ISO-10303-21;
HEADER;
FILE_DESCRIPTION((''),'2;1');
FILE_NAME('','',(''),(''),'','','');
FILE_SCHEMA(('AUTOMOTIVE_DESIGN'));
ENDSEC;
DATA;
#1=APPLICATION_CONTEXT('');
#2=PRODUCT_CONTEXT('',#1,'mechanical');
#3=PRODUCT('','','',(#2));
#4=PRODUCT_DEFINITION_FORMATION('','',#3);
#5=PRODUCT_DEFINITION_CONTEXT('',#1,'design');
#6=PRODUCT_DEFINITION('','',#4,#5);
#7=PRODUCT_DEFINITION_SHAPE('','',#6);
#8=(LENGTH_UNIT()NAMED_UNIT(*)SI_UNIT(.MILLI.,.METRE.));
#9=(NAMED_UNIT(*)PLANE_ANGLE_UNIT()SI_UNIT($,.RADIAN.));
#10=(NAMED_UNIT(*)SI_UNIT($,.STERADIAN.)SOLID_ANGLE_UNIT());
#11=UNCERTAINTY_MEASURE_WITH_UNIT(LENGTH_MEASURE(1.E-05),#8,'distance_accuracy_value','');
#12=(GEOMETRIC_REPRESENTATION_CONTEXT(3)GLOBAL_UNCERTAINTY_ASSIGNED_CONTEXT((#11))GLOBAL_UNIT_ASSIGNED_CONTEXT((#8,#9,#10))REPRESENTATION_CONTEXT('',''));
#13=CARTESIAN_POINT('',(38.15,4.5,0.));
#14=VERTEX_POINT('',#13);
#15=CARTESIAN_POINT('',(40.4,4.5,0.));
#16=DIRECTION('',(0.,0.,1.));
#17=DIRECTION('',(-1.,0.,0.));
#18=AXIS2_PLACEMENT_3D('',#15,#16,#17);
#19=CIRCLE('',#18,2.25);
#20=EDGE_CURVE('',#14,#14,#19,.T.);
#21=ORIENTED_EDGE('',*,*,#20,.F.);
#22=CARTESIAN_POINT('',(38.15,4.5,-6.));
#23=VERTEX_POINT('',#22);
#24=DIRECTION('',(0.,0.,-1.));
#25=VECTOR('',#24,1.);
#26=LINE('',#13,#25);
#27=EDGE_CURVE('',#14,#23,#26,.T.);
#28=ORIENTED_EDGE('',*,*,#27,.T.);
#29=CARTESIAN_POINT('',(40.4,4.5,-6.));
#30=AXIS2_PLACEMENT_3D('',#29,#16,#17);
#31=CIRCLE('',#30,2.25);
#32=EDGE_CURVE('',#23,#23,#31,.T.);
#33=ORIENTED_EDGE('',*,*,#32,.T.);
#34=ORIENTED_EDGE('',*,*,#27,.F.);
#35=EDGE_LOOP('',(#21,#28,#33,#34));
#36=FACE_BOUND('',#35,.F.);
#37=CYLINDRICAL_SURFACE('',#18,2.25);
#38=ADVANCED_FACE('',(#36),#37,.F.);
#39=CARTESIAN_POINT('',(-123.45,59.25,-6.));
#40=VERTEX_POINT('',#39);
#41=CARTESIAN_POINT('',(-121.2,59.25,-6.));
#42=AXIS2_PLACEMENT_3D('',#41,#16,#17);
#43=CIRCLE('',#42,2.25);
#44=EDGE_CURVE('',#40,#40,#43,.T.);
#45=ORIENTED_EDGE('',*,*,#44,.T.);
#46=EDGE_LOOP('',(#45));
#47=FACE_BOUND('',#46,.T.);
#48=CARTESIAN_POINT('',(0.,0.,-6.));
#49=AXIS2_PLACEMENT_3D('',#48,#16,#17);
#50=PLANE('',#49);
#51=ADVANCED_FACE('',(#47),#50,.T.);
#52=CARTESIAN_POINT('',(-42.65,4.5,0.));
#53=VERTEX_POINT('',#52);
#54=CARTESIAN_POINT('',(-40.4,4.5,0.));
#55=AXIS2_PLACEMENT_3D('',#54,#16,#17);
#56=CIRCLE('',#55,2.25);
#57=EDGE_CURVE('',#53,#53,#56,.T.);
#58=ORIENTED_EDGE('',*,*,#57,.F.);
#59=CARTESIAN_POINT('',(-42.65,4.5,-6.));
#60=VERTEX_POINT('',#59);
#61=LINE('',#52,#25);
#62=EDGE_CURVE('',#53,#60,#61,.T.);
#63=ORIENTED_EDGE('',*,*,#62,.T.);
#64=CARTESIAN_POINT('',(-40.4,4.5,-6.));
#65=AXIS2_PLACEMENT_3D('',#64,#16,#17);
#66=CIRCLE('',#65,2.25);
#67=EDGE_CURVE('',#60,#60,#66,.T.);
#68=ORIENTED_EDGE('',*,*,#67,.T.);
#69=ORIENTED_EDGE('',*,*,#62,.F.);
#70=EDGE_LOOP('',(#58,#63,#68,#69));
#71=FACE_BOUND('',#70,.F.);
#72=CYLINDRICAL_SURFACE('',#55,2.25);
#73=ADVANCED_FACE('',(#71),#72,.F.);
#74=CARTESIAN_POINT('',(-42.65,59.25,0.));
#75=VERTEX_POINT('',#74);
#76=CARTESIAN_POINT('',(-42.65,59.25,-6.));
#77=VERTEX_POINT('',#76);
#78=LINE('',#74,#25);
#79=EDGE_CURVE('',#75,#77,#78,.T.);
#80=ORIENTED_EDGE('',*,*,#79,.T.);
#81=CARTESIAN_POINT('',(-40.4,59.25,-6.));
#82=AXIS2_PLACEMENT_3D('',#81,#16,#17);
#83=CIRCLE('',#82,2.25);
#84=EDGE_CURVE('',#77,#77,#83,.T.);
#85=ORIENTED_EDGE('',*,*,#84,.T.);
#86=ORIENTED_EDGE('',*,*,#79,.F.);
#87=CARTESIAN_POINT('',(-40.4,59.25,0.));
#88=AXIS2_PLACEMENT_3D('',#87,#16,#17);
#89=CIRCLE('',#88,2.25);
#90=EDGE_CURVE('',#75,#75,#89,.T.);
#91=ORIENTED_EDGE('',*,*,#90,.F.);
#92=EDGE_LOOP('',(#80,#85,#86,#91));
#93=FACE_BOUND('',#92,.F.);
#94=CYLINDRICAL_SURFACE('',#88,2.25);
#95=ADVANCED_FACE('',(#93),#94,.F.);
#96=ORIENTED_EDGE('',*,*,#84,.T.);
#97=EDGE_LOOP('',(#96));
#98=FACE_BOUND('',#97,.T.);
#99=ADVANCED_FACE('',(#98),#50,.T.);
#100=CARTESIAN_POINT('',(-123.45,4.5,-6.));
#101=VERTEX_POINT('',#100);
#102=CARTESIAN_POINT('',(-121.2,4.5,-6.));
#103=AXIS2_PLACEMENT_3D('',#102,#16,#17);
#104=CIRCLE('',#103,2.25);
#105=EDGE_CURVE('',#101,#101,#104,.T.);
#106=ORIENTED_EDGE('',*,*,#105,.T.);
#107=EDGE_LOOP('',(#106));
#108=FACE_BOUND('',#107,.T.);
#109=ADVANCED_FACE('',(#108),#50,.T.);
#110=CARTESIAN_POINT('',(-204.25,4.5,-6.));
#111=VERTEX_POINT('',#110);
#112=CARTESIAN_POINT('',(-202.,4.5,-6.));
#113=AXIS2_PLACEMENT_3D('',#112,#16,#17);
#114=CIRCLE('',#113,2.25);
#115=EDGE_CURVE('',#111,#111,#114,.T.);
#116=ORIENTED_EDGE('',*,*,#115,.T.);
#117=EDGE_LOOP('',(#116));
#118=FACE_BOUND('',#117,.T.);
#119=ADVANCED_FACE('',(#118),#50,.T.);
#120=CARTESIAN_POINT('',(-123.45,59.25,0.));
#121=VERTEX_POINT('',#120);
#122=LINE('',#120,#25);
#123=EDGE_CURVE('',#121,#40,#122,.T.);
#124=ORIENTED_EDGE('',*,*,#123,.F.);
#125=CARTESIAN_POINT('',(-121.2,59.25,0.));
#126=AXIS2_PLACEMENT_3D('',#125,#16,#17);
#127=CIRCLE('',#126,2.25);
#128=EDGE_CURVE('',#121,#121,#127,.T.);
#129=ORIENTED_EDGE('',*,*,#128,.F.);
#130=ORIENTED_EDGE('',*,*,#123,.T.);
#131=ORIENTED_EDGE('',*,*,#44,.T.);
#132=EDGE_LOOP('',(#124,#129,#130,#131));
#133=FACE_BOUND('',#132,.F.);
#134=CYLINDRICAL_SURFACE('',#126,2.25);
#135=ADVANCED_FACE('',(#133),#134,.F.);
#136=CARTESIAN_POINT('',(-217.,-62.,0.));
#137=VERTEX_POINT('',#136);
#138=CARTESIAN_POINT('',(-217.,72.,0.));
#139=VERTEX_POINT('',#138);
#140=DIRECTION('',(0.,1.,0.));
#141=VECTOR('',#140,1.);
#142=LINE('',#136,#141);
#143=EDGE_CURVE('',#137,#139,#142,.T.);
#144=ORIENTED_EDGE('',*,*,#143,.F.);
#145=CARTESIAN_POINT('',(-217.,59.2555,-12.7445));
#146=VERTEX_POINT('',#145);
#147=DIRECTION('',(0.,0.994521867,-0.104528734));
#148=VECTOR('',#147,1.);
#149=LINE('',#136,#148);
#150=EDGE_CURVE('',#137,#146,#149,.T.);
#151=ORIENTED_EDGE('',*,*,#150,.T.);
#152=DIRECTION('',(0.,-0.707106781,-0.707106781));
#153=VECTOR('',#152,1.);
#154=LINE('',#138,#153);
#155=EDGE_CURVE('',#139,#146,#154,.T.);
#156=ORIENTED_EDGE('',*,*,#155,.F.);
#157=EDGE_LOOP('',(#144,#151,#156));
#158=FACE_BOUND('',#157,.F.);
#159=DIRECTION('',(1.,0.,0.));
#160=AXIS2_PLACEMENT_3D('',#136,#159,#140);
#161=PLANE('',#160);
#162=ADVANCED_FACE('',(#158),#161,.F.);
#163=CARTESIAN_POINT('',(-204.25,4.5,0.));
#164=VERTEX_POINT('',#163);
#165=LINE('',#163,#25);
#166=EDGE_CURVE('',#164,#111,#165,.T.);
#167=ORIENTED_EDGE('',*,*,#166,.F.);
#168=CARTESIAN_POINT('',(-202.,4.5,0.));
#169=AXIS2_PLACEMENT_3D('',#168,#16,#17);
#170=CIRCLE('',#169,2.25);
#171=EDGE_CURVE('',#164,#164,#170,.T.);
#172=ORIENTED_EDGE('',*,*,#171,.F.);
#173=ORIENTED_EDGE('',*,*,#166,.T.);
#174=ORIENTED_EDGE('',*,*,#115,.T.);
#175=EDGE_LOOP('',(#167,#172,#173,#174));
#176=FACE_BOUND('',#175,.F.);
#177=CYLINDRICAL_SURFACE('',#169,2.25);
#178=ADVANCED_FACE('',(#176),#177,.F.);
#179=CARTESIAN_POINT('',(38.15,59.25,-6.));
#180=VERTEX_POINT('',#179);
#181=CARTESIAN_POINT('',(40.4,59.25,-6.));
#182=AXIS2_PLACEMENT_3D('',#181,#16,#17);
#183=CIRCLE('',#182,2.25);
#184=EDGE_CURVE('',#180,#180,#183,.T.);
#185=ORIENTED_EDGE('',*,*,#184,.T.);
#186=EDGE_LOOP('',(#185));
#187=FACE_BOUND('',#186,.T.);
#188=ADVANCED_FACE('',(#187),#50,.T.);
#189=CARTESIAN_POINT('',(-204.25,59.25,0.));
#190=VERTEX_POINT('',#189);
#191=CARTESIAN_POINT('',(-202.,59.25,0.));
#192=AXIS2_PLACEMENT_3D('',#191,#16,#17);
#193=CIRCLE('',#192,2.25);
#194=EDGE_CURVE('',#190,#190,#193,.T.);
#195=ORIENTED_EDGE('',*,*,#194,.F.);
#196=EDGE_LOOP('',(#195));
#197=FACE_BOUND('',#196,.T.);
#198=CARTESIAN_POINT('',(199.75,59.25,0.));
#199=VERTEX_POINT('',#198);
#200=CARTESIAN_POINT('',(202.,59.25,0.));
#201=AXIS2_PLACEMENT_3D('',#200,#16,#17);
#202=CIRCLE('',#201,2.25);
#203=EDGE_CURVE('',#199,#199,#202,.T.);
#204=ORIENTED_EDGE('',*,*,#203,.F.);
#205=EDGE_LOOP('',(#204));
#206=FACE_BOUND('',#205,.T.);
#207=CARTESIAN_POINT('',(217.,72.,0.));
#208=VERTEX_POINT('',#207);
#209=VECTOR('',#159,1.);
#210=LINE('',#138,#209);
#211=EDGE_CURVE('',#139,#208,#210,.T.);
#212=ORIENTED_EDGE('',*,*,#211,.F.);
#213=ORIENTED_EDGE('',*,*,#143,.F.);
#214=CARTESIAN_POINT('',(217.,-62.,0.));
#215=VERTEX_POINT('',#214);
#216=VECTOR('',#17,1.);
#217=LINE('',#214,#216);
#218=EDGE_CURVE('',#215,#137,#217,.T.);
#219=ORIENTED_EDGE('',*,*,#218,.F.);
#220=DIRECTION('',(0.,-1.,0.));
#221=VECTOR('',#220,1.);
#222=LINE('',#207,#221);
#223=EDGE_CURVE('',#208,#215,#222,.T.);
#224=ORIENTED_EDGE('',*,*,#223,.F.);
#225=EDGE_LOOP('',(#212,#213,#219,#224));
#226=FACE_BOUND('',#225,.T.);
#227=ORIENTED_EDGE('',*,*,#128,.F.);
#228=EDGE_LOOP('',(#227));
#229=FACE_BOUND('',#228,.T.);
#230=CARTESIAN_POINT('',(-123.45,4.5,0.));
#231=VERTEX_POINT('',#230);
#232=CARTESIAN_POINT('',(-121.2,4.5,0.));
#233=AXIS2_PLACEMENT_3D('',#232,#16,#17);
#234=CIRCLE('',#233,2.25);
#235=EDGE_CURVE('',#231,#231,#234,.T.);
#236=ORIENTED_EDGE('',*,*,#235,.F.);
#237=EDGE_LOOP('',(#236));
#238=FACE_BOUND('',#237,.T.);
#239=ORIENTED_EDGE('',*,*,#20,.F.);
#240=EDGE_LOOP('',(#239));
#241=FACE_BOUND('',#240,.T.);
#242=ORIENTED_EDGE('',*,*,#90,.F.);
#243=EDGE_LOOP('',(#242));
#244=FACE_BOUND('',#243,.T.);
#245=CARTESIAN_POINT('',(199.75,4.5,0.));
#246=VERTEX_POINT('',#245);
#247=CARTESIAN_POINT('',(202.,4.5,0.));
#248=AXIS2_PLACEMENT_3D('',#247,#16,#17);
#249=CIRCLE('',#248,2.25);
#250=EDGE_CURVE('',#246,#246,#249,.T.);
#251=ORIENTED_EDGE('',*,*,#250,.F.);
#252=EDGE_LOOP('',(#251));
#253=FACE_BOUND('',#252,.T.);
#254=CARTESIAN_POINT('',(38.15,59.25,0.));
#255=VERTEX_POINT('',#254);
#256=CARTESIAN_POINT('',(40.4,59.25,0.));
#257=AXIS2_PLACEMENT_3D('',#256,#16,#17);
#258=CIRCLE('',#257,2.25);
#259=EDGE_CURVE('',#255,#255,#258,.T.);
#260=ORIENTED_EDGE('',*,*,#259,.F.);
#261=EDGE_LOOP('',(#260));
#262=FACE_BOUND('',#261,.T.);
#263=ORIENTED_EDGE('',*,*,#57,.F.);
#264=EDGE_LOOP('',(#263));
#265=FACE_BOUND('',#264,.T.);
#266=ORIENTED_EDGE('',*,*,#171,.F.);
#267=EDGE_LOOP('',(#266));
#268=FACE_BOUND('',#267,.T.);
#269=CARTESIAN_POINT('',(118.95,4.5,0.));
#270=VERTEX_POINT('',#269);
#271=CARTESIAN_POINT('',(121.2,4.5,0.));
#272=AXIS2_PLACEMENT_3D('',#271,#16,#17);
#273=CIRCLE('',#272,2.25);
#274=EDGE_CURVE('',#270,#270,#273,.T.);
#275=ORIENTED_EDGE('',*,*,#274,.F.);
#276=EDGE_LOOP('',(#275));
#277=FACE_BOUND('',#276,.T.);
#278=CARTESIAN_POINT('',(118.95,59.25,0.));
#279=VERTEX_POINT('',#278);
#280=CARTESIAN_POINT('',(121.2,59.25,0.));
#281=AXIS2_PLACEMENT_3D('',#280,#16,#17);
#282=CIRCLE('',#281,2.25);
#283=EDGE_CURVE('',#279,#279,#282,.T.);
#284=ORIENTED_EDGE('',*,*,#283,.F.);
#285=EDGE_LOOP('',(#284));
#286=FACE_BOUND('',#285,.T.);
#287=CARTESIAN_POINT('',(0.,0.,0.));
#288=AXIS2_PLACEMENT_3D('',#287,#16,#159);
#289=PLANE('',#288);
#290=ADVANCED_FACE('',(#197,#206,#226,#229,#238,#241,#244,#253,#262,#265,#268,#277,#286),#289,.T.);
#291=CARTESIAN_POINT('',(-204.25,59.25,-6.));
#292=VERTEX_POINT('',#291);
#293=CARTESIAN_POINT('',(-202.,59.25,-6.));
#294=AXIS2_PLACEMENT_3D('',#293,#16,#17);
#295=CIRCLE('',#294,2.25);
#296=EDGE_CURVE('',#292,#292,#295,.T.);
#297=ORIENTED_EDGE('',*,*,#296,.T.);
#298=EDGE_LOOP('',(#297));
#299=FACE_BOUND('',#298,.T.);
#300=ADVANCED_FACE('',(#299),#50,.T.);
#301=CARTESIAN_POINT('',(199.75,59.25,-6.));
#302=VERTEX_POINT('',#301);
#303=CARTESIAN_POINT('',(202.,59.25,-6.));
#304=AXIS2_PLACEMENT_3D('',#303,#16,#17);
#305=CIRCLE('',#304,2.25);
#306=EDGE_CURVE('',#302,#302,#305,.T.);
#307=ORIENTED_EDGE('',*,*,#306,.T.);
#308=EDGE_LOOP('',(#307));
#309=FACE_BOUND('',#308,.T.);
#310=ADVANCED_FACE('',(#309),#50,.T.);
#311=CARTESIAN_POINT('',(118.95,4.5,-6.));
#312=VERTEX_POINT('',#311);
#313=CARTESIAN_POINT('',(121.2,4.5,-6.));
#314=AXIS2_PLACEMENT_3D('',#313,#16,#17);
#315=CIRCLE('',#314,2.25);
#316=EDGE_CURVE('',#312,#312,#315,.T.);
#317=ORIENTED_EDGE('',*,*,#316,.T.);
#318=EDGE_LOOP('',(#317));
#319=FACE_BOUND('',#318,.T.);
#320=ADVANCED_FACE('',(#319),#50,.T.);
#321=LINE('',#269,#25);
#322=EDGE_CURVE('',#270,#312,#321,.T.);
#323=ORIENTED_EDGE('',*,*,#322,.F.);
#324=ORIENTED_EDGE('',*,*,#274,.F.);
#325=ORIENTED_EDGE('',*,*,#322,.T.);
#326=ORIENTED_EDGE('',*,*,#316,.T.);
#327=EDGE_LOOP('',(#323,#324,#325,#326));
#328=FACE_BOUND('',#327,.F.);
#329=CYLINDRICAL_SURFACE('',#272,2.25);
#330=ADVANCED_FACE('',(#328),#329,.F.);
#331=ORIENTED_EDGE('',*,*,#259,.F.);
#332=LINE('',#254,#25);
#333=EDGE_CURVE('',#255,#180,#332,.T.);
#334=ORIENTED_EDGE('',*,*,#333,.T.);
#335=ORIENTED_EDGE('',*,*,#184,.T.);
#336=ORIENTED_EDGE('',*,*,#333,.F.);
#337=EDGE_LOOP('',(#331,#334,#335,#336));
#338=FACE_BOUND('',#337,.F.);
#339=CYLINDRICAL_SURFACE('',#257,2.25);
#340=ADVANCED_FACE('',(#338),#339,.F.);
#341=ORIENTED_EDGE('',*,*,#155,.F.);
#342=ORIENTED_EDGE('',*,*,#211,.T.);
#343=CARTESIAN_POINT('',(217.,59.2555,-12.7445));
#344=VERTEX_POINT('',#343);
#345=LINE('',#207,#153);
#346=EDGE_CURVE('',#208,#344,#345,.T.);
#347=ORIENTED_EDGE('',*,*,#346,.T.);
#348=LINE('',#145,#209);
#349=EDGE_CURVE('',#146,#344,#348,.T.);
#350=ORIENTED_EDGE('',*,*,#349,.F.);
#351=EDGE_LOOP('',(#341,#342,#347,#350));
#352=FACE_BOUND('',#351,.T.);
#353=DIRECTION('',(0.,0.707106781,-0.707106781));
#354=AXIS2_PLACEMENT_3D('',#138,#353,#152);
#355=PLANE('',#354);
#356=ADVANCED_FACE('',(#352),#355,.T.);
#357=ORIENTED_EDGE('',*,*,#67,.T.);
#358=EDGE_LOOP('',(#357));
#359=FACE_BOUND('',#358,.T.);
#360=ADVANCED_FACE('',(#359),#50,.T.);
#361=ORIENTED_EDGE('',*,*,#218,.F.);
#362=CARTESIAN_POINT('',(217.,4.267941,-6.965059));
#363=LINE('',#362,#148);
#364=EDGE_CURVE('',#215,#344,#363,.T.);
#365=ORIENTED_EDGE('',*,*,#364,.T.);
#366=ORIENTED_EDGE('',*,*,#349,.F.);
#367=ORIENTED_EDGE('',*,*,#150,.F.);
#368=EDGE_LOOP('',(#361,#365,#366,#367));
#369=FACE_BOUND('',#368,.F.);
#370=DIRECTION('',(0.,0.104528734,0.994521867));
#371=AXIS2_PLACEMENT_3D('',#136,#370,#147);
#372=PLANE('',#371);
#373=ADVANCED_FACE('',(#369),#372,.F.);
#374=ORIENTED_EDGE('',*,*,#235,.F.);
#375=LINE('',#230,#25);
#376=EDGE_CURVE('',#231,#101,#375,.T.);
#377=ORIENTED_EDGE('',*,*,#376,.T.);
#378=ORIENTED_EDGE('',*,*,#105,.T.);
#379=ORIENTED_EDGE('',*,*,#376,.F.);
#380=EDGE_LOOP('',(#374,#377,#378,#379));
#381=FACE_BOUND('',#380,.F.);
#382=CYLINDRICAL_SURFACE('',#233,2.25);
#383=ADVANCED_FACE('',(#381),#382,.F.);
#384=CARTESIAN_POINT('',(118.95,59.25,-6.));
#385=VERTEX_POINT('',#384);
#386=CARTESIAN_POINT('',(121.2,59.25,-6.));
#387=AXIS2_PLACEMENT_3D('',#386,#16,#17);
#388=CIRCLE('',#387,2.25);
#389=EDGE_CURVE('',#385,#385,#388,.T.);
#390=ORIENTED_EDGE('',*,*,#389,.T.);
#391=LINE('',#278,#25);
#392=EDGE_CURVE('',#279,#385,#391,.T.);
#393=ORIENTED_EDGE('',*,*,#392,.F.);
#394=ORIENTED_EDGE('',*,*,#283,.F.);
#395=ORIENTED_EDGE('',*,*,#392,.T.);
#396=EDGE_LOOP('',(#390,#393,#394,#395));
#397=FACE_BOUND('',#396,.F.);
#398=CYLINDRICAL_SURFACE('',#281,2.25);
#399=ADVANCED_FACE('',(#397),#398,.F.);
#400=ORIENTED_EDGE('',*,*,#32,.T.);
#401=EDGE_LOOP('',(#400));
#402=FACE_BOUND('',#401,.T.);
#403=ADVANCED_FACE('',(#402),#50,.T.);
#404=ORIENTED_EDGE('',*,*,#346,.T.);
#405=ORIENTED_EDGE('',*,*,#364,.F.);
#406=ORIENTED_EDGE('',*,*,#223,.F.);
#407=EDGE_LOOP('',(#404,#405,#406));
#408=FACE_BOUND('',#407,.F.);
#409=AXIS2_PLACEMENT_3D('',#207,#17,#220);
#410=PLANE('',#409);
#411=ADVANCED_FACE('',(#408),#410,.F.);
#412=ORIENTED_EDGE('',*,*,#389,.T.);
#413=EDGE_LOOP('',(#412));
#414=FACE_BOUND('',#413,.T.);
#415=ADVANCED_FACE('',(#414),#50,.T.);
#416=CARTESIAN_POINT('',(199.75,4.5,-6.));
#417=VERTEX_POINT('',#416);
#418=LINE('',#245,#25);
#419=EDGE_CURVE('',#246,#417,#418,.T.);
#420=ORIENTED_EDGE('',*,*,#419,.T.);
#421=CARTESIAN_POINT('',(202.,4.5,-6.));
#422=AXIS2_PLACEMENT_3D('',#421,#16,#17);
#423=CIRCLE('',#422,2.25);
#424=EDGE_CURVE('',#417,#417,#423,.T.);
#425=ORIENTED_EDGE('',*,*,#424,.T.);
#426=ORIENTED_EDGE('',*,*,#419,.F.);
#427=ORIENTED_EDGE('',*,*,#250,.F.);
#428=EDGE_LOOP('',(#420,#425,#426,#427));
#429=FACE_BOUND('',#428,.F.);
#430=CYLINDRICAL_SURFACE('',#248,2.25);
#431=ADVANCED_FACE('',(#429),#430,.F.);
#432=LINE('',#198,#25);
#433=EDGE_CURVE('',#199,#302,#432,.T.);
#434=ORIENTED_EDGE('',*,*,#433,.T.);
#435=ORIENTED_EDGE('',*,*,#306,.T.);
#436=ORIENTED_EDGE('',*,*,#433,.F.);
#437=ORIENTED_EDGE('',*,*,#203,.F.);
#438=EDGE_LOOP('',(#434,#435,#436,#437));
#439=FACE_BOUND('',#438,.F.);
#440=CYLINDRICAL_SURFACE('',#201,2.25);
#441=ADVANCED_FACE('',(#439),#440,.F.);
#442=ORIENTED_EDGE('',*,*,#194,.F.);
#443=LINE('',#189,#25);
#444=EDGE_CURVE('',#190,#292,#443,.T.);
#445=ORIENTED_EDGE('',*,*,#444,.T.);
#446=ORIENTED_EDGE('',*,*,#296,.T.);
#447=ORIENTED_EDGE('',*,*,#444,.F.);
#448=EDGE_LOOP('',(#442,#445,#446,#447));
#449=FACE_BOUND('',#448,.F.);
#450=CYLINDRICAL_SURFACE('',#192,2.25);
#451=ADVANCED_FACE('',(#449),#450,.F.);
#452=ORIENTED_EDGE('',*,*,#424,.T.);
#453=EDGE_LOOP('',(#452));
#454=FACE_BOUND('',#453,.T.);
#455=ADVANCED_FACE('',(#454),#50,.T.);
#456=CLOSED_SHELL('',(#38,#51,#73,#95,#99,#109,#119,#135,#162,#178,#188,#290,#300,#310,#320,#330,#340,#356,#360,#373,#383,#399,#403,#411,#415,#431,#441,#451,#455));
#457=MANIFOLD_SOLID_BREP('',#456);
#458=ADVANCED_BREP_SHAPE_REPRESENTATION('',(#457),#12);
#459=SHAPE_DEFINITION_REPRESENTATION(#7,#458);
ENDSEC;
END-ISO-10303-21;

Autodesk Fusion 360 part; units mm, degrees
sketch "Sketch1" plane through (0, 0, 0) normal (0, 0, 1) x (1, 0, 0)
  line L0 (-217, 72) -> (217, 72)
  line L1 (217, 72) -> (217, -62)
  line L2 (217, -62) -> (-217, -62)
  line L3 (-217, -62) -> (-217, 72)
extrude "Extrude4" add sketch "Sketch1" against normal blind 230
sketch "Sketch4" plane through (-217, 0, 0) normal (-1, 0, 0) x (0, -1, 0)
  line L0 (62, 0) -> (-72, 0)
  line L1 (-72, 0) -> (-72, -230)
  line L2 (-72, -230) -> (62, -230)
  line L3 (62, -230) -> (62, 0)
  line L4 (62, 0) -> (-29, 0) construction
  line L5 (-72, 0) -> (-59.2555, -12.7445)
  line L6 (-72, 0) -> (-53.9766, 0) construction
  line L7 (62, 0) -> (-59.2555, -12.7445)
  line L8 (62, 0) -> (-59.9234, 0) construction
  dimension "d30" = 45
  dimension "d31" = 6
extrude "Extrude5" cut sketch "Sketch4" against normal blind 520 contours L1 L2 L3 L5 L7
sketch "Sketch5" plane through (0, 0, 0) normal (0, 0, 1) x (-1, 0, 0)
  line L0 (217, 62) -> (-217, 62)
  line L1 (-217, 62) -> (-217, -72)
  line L2 (-217, -72) -> (217, -72)
  line L3 (217, -72) -> (217, 62)
  circle A0 centre (202, -59.25) radius 2.25
  circle A1 centre (121.2, -59.25) radius 2.25
  circle A2 centre (40.4, -59.25) radius 2.25
  circle A3 centre (-40.4, -59.25) radius 2.25
  circle A4 centre (-121.2, -59.25) radius 2.25
  circle A5 centre (-202, -59.25) radius 2.25
  circle A6 centre (202, -4.5) radius 2.25
  circle A7 centre (121.2, -4.5) radius 2.25
  circle A8 centre (40.4, -4.5) radius 2.25
  circle A9 centre (-40.4, -4.5) radius 2.25
  circle A10 centre (-121.2, -4.5) radius 2.25
  circle A11 centre (-202, -4.5) radius 2.25
  dimension "d34" = 4.5
  dimension "d35" = 12.75
  dimension "d36" = 15
  dimension "d39" = -404
  dimension "d40" = 0
  dimension "d41" = 4.5
  dimension "d42" = 66.5
  dimension "d43" = 15
  dimension "d46" = -404
  dimension "d47" = 0
extrude "Extrude6" cut sketch "Sketch5" against normal blind 6 contours A0 | A1 | A2 | A3 | A4 | A5 | A6 | A7 | A8 | A9 | A10 | A11
